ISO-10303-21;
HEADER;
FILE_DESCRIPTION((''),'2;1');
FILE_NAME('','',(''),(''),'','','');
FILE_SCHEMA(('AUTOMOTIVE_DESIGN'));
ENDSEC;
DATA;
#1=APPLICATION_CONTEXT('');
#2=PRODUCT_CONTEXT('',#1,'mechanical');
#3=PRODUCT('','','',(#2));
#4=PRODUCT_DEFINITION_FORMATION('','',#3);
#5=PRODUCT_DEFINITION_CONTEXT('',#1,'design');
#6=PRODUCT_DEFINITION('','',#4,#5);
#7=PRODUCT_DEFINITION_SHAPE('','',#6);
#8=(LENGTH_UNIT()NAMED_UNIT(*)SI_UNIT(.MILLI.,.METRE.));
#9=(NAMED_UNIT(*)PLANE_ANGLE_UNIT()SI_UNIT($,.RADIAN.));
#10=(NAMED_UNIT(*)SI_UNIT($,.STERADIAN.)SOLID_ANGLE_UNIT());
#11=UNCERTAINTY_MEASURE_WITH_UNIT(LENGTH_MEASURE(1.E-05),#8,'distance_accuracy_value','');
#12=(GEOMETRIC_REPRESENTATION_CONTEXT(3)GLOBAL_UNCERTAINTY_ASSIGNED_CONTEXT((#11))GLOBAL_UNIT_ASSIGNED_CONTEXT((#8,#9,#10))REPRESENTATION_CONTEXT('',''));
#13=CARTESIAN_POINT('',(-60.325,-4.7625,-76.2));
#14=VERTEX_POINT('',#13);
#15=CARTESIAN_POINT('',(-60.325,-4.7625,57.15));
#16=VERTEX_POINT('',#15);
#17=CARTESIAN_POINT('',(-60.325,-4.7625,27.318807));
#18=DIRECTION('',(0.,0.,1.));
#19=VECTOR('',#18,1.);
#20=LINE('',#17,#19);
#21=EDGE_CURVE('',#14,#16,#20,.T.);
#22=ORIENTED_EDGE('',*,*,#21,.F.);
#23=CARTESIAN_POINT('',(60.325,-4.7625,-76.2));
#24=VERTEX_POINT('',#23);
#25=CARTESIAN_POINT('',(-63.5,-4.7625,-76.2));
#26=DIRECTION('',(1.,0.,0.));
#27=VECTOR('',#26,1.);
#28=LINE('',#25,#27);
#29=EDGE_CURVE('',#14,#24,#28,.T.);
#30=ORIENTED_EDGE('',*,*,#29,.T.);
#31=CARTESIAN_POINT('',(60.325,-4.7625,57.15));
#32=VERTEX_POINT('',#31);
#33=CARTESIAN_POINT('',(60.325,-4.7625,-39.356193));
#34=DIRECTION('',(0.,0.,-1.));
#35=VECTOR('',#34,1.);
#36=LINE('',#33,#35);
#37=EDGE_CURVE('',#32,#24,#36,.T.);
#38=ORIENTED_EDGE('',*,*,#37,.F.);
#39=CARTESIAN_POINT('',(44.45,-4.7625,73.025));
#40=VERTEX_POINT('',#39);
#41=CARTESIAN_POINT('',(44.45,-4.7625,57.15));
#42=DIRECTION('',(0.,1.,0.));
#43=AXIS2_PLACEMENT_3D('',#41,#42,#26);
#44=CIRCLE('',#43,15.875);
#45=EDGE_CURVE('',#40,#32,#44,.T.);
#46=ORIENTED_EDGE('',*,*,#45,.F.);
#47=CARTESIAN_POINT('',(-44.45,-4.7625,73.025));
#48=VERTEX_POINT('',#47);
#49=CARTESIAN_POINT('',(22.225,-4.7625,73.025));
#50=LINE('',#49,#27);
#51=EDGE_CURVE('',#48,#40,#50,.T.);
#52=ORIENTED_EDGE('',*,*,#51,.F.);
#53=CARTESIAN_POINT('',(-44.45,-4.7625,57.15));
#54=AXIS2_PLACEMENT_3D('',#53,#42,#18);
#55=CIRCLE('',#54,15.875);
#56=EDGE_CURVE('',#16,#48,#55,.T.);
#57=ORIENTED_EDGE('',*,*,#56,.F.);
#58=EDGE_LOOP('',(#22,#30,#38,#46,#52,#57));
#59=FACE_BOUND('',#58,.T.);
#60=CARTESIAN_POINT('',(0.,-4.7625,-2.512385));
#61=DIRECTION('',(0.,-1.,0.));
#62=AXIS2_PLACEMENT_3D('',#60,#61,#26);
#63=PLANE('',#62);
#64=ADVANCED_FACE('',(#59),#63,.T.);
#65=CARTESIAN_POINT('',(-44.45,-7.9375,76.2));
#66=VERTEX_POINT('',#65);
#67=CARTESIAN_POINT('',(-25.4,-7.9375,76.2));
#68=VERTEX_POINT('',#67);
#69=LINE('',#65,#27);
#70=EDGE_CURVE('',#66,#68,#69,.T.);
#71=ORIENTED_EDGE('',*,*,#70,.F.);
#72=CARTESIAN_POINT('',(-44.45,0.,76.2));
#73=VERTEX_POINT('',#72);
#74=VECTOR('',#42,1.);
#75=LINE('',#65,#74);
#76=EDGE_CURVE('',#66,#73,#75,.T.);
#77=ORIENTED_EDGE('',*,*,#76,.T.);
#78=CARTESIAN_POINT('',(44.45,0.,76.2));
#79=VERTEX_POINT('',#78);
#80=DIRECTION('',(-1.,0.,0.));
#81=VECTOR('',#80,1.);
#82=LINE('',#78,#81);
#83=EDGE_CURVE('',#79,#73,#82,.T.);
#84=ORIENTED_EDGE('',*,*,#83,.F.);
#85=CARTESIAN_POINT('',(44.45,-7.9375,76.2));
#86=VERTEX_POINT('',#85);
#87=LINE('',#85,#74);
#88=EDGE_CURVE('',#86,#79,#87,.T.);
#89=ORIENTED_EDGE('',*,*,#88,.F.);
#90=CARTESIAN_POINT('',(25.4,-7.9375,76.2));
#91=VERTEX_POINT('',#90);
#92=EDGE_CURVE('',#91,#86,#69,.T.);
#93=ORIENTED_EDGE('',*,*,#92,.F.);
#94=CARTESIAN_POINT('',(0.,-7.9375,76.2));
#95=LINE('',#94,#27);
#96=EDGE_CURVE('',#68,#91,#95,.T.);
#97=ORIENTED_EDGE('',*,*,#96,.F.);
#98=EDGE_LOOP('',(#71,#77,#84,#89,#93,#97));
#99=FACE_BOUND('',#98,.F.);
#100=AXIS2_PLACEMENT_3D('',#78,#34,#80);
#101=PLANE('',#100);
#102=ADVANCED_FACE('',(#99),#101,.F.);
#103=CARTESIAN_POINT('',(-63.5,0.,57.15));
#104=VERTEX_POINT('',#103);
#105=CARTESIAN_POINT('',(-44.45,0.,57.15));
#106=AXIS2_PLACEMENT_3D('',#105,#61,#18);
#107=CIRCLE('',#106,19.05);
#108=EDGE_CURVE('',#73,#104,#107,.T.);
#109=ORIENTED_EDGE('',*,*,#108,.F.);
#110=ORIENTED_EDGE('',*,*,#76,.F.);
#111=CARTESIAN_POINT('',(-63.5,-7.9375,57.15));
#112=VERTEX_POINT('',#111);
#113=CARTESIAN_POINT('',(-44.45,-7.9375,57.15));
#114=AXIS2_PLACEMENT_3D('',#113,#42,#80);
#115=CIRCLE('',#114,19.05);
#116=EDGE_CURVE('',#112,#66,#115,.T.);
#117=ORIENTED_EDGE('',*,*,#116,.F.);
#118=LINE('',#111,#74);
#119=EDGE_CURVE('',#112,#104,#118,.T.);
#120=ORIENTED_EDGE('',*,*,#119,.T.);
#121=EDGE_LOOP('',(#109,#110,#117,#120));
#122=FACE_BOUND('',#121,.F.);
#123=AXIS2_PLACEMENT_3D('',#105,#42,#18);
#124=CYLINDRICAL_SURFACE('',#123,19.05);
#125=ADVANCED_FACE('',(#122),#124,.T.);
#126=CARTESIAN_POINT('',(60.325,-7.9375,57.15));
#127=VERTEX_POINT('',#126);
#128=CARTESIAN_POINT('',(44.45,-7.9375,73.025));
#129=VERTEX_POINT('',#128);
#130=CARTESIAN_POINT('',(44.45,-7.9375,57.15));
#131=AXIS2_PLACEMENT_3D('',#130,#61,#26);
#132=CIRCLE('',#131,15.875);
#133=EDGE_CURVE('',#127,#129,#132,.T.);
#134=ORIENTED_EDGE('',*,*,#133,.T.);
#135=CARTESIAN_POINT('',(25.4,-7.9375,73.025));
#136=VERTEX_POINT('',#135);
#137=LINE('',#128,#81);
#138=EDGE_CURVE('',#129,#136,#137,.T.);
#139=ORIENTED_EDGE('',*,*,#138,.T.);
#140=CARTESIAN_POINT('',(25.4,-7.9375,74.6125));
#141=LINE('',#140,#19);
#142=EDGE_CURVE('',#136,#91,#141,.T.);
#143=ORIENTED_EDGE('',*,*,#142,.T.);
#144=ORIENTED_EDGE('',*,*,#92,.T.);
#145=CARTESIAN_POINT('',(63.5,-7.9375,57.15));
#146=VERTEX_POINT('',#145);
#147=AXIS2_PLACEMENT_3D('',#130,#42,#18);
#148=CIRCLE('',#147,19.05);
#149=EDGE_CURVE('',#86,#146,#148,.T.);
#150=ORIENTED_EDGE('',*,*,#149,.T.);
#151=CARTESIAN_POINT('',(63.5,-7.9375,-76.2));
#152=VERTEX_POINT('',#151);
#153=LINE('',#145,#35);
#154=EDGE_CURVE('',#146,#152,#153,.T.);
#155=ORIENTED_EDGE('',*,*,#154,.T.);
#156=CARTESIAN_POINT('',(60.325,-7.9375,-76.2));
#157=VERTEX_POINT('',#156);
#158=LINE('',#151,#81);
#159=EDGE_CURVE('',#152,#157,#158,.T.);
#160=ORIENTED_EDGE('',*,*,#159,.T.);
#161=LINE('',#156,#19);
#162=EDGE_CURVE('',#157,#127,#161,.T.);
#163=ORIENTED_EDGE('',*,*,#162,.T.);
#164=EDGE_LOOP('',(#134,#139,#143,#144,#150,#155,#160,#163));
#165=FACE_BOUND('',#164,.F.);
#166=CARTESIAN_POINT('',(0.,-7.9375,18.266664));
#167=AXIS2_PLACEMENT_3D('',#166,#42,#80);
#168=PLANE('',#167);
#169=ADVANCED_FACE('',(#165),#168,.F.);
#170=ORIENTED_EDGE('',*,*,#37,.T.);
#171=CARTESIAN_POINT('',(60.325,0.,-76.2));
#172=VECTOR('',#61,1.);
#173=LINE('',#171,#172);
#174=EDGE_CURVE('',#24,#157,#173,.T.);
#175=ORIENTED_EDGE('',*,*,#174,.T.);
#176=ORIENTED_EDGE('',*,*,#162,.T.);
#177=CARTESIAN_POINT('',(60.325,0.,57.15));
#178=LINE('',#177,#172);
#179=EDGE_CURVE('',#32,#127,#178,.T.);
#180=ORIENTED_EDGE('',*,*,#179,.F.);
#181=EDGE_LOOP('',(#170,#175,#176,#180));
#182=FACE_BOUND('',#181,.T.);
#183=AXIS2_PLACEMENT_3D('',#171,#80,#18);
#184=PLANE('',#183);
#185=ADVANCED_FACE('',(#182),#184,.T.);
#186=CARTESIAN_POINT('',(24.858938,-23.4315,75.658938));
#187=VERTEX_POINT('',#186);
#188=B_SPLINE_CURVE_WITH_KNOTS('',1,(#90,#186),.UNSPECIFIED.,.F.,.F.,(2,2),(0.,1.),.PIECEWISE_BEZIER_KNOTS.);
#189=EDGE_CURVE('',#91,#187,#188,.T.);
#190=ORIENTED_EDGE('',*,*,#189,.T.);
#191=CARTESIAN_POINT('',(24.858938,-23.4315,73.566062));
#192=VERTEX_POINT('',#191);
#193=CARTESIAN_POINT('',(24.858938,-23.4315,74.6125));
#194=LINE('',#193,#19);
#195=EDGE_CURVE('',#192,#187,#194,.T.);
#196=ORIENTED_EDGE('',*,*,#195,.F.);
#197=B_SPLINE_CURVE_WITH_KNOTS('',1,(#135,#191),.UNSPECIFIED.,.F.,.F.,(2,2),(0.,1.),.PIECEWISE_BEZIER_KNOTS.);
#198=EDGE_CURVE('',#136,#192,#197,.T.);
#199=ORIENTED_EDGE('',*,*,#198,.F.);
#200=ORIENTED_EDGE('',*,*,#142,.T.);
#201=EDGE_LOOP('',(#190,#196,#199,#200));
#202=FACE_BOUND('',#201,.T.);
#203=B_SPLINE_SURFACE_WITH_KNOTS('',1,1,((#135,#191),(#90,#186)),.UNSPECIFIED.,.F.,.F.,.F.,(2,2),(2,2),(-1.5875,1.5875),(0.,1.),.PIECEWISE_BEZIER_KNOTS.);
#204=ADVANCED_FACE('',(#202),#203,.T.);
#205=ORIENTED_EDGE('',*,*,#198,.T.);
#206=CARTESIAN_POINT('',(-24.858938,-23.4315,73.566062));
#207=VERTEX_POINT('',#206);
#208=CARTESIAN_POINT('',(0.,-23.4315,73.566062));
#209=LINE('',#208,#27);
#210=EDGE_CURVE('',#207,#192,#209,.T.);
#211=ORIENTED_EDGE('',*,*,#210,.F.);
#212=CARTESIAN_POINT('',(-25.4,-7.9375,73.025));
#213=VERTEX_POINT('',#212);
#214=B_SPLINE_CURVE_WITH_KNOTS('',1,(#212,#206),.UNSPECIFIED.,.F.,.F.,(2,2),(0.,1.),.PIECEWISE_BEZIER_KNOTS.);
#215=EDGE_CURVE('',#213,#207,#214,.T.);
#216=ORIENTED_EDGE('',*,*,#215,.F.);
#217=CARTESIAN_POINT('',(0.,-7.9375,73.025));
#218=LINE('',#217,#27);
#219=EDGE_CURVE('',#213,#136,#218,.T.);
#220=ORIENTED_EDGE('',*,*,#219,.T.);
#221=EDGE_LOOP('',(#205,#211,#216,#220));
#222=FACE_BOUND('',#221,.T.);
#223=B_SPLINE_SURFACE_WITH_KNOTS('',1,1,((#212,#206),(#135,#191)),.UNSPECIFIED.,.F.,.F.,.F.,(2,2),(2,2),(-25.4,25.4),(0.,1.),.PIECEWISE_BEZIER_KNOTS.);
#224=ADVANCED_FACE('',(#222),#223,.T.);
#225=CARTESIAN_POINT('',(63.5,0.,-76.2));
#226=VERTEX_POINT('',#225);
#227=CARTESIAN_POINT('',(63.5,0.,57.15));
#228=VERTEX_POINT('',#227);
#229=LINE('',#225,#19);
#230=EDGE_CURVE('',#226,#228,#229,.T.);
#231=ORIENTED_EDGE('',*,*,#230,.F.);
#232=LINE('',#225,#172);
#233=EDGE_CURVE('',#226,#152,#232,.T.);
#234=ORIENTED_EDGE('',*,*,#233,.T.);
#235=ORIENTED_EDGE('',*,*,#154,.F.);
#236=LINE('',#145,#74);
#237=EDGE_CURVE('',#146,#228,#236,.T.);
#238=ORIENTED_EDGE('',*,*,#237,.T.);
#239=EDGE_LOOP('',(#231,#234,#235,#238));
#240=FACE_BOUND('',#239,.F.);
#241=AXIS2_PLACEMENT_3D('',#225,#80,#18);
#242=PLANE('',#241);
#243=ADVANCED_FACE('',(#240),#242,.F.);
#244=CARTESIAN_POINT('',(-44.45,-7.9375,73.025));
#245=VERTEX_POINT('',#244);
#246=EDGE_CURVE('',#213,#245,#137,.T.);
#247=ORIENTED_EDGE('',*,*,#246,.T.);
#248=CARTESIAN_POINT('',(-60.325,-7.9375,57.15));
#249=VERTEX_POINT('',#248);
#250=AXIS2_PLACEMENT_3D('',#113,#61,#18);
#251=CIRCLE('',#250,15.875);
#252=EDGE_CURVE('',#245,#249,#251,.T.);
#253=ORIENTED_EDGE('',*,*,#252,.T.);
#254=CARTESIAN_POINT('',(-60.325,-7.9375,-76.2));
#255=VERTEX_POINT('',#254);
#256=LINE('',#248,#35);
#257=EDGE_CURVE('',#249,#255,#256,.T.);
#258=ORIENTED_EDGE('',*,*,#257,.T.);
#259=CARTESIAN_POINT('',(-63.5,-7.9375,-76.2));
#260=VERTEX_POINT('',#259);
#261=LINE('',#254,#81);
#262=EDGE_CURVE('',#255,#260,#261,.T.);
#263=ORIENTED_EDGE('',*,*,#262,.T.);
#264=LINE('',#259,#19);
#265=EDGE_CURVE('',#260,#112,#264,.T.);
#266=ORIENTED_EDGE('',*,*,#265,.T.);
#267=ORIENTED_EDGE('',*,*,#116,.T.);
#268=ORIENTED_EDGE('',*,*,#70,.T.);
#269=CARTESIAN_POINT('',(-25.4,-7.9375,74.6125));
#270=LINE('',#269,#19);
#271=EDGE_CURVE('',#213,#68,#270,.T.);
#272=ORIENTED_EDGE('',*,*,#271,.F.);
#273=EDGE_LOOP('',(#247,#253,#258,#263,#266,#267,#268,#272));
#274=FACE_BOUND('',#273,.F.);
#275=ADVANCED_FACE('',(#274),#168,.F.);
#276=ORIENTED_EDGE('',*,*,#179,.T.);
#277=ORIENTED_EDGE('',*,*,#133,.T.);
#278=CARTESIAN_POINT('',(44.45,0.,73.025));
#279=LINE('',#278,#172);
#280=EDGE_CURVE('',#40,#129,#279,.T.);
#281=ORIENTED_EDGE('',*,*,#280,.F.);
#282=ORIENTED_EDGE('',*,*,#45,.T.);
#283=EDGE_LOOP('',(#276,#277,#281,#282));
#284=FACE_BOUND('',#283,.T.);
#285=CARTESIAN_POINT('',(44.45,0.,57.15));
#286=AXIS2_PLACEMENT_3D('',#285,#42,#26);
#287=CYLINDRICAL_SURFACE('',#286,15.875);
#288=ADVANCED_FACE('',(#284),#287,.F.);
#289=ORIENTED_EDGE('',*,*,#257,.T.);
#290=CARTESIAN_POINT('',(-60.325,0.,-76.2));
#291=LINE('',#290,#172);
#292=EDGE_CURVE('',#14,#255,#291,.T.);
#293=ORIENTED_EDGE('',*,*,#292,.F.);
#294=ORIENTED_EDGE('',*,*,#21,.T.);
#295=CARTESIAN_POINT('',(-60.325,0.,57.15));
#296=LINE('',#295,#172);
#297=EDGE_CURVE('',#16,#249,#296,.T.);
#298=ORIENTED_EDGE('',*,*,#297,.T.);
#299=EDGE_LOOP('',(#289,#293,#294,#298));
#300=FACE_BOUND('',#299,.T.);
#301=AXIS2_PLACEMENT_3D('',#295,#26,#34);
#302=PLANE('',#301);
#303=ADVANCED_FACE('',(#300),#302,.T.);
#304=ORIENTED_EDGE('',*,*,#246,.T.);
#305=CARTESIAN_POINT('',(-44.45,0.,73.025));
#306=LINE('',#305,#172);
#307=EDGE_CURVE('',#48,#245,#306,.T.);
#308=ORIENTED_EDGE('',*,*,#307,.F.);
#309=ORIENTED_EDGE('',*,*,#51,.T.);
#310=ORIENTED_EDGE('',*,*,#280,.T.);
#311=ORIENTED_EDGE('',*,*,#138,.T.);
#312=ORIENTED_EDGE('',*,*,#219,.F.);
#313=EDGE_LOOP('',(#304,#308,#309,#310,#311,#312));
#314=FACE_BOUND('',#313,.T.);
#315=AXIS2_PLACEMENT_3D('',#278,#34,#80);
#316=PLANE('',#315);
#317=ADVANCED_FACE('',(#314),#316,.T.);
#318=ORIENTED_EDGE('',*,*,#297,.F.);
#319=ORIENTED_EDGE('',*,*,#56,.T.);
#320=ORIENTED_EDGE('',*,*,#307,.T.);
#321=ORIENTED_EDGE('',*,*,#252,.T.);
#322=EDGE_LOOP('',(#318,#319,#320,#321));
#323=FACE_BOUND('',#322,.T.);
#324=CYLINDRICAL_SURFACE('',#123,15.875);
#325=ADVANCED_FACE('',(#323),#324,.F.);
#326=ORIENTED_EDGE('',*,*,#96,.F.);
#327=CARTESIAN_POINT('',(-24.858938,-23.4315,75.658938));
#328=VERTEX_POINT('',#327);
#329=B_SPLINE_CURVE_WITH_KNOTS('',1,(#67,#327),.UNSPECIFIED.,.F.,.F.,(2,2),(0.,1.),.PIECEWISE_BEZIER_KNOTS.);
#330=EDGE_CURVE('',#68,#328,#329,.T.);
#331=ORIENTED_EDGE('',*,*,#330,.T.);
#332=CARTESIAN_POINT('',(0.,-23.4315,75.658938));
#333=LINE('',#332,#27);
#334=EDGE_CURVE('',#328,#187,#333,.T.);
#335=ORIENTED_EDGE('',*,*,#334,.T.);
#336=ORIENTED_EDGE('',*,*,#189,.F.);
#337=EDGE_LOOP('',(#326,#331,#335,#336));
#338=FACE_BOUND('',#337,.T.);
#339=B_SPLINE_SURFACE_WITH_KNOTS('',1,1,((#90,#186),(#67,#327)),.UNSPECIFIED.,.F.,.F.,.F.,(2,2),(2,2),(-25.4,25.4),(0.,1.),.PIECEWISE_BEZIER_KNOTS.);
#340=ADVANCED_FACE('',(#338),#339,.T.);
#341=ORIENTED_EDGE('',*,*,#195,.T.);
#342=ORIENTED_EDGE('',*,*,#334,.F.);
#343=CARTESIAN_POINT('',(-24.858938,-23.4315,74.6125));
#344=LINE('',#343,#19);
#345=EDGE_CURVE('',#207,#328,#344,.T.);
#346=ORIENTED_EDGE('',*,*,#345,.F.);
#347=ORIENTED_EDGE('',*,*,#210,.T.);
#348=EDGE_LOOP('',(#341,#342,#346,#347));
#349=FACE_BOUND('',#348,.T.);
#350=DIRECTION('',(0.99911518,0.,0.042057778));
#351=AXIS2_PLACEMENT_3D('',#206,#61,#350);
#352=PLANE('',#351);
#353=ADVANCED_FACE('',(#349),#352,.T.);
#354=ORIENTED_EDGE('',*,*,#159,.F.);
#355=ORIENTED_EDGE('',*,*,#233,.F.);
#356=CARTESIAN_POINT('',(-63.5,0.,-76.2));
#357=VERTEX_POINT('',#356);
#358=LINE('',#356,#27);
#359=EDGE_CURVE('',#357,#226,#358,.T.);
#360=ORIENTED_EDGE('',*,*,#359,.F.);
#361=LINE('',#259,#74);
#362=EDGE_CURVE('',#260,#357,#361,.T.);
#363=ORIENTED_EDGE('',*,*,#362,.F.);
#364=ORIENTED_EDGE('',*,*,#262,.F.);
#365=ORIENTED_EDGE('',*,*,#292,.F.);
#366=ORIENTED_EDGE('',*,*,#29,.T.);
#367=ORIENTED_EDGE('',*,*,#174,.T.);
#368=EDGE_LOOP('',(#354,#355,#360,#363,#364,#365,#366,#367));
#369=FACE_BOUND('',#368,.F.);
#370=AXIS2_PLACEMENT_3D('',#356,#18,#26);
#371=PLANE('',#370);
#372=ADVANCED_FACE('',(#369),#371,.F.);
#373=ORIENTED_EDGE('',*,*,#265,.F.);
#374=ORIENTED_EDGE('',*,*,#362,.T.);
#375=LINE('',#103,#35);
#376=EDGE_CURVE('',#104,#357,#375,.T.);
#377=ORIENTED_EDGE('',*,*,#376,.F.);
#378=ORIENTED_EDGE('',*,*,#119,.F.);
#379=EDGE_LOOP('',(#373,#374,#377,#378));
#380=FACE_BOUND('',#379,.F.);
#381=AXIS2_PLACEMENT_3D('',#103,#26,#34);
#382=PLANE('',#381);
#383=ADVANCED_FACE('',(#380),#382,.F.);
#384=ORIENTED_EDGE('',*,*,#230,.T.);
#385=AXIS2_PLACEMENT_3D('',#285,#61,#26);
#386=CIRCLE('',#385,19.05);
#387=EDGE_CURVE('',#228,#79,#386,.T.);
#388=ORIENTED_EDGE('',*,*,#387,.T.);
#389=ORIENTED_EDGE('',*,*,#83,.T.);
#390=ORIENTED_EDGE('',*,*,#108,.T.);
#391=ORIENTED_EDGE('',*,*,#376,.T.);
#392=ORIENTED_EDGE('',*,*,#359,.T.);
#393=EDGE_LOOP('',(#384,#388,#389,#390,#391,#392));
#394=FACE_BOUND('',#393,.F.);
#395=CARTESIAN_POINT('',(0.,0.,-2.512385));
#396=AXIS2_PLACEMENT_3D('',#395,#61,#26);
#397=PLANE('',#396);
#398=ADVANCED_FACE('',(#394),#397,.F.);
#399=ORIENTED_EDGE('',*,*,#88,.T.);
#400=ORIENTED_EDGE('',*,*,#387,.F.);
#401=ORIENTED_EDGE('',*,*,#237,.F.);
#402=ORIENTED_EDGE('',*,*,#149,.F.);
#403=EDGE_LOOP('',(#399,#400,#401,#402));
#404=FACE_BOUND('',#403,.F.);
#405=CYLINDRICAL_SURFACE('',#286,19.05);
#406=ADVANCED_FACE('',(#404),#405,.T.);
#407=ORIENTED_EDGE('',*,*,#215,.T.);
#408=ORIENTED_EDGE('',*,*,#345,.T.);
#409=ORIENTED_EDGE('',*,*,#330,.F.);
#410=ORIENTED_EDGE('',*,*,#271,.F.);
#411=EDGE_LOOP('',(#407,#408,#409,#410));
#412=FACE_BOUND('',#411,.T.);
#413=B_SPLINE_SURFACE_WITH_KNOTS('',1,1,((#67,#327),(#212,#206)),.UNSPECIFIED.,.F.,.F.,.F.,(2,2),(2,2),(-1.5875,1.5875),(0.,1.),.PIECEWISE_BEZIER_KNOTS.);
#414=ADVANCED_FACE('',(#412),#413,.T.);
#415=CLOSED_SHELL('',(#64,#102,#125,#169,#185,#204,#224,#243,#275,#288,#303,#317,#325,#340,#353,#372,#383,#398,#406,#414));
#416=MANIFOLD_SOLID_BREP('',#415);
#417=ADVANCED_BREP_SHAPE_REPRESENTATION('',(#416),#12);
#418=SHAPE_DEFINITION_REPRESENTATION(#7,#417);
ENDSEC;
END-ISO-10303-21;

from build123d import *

# Parameters (mm, degrees)
F1_DEPTH = 4.7625
F3_DEPTH = 7.9375
F4_W     = 50.8
F4_H     = 3.175
F5_DEPTH = 15.494
F5_TAPER = 2


with BuildPart() as f1:
    # F0 (on Front) → F1 (new body)
    with BuildSketch(Plane.XZ):
        with BuildLine():
            Line((-63.5, -76.2), (63.5, -76.2))
            Line((63.5, -76.2), (63.5, 57.15))
            ThreePointArc((63.5, 57.15), (57.9203841816, 70.6203841816), (44.45, 76.2))
            Line((44.45, 76.2), (-44.45, 76.2))
            ThreePointArc((-44.45, 76.2), (-57.9203841816, 70.6203841816), (-63.5, 57.15))
            Line((-63.5, 57.15), (-63.5, -76.2))
        make_face()
    extrude(amount=F1_DEPTH)

    # F2 (on face) → F3 (join)
    with BuildSketch(Plane(origin=(0, 0, 0), x_dir=(-1, 0, 0), z_dir=(0, 1, 0))):
        with BuildLine():
            ThreePointArc((-44.45, 76.2), (-57.9203841816, 70.6203841816), (-63.5, 57.15))
            Line((-63.5, 57.15), (-63.5, -76.2))
            Line((-63.5, -76.2), (-60.325, -76.2))
            Line((-60.325, -76.2), (-60.325, 57.15))
            ThreePointArc((-60.325, 57.15), (-55.6753201513, 68.3753201513), (-44.45, 73.025))
            Line((-44.45, 73.025), (44.45, 73.025))
            ThreePointArc((44.45, 73.025), (55.6753201513, 68.3753201513), (60.325, 57.15))
            Line((60.325, 57.15), (60.325, -76.2))
            Line((60.325, -76.2), (63.5, -76.2))
            Line((63.5, -76.2), (63.5, 57.15))
            ThreePointArc((63.5, 57.15), (57.9203841816, 70.6203841816), (44.45, 76.2))
            Line((44.45, 76.2), (-44.45, 76.2))
        make_face()
    extrude(amount=-F3_DEPTH)

    # F4 (on face) → F5 (join)
    with BuildSketch(Plane.XZ.offset(7.9375)):
        with Locations((0, 74.6125)):
            Rectangle(F4_W, F4_H)
    extrude(amount=F5_DEPTH, taper=F5_TAPER)


solid = f1.part
